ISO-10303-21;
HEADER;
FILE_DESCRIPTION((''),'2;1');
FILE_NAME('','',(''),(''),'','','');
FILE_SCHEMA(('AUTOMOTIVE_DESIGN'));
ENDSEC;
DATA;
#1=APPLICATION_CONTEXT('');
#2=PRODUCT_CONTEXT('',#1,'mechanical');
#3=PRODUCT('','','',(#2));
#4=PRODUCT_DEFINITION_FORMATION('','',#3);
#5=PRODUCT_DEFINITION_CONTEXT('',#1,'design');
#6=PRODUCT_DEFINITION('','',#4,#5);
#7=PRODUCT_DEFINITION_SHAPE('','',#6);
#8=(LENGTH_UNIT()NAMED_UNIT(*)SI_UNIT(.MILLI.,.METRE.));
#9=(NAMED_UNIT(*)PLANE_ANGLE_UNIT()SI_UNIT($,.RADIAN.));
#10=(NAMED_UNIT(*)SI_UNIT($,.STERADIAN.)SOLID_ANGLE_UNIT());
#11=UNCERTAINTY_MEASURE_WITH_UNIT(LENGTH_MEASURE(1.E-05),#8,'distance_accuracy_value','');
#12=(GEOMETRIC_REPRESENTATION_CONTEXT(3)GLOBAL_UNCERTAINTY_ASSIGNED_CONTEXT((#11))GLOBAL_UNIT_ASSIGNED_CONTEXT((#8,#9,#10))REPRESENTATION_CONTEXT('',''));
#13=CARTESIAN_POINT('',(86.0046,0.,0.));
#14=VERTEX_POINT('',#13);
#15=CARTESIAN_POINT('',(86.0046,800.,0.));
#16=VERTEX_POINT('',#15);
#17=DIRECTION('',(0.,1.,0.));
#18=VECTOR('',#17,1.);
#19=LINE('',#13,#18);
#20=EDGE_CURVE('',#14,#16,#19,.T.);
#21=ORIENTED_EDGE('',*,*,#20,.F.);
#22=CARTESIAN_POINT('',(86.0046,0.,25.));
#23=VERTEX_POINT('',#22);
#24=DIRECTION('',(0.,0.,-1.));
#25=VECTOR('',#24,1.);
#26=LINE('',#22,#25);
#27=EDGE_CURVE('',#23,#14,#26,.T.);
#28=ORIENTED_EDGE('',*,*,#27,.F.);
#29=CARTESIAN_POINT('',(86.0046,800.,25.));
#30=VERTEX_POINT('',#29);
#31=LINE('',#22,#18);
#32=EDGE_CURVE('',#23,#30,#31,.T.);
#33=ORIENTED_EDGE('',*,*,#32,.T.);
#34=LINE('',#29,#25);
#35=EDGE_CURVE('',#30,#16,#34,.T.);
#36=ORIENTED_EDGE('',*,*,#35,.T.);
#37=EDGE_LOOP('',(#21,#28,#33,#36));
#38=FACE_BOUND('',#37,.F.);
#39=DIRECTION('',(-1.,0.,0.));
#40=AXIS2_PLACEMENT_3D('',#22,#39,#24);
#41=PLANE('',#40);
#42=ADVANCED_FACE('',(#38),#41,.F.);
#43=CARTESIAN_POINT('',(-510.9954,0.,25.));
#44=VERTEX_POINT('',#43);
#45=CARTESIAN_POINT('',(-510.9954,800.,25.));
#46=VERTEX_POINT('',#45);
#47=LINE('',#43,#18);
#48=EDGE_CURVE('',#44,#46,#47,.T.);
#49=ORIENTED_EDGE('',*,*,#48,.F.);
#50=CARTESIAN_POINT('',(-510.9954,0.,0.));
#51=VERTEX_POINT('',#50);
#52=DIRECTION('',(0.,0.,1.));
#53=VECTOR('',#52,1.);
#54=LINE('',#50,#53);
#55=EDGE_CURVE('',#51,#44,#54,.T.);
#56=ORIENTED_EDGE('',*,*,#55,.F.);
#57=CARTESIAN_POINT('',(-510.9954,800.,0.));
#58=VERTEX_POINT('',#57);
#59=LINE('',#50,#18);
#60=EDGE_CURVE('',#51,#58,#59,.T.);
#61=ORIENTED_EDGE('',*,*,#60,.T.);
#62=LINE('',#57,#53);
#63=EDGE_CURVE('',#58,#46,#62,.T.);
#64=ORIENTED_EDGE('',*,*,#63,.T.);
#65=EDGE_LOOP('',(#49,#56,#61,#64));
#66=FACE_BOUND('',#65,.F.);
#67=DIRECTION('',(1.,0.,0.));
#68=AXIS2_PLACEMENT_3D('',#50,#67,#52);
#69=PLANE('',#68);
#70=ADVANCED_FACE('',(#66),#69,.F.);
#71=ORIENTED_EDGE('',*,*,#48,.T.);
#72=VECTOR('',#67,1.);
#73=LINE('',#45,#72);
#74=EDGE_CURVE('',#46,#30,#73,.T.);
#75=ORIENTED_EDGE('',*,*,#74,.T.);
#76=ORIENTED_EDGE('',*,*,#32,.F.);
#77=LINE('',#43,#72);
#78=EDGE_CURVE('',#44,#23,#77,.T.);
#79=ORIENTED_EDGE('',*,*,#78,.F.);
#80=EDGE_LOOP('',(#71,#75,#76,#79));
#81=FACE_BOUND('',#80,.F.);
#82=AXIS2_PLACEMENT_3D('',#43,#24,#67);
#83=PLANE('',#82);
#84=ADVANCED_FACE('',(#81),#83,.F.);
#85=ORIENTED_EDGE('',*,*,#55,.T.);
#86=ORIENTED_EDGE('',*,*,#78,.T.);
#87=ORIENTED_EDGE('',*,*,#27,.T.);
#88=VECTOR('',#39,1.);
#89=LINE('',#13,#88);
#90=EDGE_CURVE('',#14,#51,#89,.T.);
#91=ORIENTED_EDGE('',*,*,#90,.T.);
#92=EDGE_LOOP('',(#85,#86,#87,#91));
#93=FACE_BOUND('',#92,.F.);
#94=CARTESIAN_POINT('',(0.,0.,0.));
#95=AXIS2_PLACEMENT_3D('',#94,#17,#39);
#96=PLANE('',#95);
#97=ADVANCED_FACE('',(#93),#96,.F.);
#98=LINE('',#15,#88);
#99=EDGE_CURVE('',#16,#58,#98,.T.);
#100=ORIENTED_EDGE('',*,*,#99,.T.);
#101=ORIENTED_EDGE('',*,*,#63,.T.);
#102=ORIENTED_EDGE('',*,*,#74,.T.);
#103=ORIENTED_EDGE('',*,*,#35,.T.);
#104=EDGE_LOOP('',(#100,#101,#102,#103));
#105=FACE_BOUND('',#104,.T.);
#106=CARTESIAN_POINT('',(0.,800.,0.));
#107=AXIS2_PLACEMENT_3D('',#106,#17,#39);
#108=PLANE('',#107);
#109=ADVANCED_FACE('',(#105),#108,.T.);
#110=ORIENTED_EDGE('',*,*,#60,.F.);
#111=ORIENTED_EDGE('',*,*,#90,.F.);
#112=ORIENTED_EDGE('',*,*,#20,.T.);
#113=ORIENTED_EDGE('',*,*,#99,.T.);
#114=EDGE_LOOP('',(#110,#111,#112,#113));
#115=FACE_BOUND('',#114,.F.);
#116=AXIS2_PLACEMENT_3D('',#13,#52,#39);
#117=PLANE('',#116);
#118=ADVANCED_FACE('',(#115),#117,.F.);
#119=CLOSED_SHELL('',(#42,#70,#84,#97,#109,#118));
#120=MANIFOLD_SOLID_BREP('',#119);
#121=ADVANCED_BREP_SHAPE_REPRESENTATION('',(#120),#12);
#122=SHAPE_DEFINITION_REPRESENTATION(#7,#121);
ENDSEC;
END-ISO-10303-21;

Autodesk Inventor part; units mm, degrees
ref_plane "YZ Plane" through (0, 0, 0) normal (1, 0, 0) x (0, 1, 0)
ref_plane "XZ Plane" through (0, 0, 0) normal (0, 1, 0) x (-1, 0, 0)
ref_plane "XY Plane" through (0, 0, 0) normal (0, 0, 1) x (1, 0, 0)
sketch "Boceto1" plane through (0, 0, 0) normal (0, 1, 0) x (-1, 0, 0)
  line L0 (-86.0046, 0) -> (510.9954, 0)
  line L1 (510.9954, 0) -> (510.9954, 25)
  line L2 (510.9954, 25) -> (-86.0046, 25)
  line L3 (-86.0046, 25) -> (-86.0046, 0)
  point P0 (0, 0)
  dimension "d0" = 597
  dimension "d1" = 25
extrude "Extrusión1" add sketch "Boceto1" along normal blind 800
properties part number "Lateral1"
